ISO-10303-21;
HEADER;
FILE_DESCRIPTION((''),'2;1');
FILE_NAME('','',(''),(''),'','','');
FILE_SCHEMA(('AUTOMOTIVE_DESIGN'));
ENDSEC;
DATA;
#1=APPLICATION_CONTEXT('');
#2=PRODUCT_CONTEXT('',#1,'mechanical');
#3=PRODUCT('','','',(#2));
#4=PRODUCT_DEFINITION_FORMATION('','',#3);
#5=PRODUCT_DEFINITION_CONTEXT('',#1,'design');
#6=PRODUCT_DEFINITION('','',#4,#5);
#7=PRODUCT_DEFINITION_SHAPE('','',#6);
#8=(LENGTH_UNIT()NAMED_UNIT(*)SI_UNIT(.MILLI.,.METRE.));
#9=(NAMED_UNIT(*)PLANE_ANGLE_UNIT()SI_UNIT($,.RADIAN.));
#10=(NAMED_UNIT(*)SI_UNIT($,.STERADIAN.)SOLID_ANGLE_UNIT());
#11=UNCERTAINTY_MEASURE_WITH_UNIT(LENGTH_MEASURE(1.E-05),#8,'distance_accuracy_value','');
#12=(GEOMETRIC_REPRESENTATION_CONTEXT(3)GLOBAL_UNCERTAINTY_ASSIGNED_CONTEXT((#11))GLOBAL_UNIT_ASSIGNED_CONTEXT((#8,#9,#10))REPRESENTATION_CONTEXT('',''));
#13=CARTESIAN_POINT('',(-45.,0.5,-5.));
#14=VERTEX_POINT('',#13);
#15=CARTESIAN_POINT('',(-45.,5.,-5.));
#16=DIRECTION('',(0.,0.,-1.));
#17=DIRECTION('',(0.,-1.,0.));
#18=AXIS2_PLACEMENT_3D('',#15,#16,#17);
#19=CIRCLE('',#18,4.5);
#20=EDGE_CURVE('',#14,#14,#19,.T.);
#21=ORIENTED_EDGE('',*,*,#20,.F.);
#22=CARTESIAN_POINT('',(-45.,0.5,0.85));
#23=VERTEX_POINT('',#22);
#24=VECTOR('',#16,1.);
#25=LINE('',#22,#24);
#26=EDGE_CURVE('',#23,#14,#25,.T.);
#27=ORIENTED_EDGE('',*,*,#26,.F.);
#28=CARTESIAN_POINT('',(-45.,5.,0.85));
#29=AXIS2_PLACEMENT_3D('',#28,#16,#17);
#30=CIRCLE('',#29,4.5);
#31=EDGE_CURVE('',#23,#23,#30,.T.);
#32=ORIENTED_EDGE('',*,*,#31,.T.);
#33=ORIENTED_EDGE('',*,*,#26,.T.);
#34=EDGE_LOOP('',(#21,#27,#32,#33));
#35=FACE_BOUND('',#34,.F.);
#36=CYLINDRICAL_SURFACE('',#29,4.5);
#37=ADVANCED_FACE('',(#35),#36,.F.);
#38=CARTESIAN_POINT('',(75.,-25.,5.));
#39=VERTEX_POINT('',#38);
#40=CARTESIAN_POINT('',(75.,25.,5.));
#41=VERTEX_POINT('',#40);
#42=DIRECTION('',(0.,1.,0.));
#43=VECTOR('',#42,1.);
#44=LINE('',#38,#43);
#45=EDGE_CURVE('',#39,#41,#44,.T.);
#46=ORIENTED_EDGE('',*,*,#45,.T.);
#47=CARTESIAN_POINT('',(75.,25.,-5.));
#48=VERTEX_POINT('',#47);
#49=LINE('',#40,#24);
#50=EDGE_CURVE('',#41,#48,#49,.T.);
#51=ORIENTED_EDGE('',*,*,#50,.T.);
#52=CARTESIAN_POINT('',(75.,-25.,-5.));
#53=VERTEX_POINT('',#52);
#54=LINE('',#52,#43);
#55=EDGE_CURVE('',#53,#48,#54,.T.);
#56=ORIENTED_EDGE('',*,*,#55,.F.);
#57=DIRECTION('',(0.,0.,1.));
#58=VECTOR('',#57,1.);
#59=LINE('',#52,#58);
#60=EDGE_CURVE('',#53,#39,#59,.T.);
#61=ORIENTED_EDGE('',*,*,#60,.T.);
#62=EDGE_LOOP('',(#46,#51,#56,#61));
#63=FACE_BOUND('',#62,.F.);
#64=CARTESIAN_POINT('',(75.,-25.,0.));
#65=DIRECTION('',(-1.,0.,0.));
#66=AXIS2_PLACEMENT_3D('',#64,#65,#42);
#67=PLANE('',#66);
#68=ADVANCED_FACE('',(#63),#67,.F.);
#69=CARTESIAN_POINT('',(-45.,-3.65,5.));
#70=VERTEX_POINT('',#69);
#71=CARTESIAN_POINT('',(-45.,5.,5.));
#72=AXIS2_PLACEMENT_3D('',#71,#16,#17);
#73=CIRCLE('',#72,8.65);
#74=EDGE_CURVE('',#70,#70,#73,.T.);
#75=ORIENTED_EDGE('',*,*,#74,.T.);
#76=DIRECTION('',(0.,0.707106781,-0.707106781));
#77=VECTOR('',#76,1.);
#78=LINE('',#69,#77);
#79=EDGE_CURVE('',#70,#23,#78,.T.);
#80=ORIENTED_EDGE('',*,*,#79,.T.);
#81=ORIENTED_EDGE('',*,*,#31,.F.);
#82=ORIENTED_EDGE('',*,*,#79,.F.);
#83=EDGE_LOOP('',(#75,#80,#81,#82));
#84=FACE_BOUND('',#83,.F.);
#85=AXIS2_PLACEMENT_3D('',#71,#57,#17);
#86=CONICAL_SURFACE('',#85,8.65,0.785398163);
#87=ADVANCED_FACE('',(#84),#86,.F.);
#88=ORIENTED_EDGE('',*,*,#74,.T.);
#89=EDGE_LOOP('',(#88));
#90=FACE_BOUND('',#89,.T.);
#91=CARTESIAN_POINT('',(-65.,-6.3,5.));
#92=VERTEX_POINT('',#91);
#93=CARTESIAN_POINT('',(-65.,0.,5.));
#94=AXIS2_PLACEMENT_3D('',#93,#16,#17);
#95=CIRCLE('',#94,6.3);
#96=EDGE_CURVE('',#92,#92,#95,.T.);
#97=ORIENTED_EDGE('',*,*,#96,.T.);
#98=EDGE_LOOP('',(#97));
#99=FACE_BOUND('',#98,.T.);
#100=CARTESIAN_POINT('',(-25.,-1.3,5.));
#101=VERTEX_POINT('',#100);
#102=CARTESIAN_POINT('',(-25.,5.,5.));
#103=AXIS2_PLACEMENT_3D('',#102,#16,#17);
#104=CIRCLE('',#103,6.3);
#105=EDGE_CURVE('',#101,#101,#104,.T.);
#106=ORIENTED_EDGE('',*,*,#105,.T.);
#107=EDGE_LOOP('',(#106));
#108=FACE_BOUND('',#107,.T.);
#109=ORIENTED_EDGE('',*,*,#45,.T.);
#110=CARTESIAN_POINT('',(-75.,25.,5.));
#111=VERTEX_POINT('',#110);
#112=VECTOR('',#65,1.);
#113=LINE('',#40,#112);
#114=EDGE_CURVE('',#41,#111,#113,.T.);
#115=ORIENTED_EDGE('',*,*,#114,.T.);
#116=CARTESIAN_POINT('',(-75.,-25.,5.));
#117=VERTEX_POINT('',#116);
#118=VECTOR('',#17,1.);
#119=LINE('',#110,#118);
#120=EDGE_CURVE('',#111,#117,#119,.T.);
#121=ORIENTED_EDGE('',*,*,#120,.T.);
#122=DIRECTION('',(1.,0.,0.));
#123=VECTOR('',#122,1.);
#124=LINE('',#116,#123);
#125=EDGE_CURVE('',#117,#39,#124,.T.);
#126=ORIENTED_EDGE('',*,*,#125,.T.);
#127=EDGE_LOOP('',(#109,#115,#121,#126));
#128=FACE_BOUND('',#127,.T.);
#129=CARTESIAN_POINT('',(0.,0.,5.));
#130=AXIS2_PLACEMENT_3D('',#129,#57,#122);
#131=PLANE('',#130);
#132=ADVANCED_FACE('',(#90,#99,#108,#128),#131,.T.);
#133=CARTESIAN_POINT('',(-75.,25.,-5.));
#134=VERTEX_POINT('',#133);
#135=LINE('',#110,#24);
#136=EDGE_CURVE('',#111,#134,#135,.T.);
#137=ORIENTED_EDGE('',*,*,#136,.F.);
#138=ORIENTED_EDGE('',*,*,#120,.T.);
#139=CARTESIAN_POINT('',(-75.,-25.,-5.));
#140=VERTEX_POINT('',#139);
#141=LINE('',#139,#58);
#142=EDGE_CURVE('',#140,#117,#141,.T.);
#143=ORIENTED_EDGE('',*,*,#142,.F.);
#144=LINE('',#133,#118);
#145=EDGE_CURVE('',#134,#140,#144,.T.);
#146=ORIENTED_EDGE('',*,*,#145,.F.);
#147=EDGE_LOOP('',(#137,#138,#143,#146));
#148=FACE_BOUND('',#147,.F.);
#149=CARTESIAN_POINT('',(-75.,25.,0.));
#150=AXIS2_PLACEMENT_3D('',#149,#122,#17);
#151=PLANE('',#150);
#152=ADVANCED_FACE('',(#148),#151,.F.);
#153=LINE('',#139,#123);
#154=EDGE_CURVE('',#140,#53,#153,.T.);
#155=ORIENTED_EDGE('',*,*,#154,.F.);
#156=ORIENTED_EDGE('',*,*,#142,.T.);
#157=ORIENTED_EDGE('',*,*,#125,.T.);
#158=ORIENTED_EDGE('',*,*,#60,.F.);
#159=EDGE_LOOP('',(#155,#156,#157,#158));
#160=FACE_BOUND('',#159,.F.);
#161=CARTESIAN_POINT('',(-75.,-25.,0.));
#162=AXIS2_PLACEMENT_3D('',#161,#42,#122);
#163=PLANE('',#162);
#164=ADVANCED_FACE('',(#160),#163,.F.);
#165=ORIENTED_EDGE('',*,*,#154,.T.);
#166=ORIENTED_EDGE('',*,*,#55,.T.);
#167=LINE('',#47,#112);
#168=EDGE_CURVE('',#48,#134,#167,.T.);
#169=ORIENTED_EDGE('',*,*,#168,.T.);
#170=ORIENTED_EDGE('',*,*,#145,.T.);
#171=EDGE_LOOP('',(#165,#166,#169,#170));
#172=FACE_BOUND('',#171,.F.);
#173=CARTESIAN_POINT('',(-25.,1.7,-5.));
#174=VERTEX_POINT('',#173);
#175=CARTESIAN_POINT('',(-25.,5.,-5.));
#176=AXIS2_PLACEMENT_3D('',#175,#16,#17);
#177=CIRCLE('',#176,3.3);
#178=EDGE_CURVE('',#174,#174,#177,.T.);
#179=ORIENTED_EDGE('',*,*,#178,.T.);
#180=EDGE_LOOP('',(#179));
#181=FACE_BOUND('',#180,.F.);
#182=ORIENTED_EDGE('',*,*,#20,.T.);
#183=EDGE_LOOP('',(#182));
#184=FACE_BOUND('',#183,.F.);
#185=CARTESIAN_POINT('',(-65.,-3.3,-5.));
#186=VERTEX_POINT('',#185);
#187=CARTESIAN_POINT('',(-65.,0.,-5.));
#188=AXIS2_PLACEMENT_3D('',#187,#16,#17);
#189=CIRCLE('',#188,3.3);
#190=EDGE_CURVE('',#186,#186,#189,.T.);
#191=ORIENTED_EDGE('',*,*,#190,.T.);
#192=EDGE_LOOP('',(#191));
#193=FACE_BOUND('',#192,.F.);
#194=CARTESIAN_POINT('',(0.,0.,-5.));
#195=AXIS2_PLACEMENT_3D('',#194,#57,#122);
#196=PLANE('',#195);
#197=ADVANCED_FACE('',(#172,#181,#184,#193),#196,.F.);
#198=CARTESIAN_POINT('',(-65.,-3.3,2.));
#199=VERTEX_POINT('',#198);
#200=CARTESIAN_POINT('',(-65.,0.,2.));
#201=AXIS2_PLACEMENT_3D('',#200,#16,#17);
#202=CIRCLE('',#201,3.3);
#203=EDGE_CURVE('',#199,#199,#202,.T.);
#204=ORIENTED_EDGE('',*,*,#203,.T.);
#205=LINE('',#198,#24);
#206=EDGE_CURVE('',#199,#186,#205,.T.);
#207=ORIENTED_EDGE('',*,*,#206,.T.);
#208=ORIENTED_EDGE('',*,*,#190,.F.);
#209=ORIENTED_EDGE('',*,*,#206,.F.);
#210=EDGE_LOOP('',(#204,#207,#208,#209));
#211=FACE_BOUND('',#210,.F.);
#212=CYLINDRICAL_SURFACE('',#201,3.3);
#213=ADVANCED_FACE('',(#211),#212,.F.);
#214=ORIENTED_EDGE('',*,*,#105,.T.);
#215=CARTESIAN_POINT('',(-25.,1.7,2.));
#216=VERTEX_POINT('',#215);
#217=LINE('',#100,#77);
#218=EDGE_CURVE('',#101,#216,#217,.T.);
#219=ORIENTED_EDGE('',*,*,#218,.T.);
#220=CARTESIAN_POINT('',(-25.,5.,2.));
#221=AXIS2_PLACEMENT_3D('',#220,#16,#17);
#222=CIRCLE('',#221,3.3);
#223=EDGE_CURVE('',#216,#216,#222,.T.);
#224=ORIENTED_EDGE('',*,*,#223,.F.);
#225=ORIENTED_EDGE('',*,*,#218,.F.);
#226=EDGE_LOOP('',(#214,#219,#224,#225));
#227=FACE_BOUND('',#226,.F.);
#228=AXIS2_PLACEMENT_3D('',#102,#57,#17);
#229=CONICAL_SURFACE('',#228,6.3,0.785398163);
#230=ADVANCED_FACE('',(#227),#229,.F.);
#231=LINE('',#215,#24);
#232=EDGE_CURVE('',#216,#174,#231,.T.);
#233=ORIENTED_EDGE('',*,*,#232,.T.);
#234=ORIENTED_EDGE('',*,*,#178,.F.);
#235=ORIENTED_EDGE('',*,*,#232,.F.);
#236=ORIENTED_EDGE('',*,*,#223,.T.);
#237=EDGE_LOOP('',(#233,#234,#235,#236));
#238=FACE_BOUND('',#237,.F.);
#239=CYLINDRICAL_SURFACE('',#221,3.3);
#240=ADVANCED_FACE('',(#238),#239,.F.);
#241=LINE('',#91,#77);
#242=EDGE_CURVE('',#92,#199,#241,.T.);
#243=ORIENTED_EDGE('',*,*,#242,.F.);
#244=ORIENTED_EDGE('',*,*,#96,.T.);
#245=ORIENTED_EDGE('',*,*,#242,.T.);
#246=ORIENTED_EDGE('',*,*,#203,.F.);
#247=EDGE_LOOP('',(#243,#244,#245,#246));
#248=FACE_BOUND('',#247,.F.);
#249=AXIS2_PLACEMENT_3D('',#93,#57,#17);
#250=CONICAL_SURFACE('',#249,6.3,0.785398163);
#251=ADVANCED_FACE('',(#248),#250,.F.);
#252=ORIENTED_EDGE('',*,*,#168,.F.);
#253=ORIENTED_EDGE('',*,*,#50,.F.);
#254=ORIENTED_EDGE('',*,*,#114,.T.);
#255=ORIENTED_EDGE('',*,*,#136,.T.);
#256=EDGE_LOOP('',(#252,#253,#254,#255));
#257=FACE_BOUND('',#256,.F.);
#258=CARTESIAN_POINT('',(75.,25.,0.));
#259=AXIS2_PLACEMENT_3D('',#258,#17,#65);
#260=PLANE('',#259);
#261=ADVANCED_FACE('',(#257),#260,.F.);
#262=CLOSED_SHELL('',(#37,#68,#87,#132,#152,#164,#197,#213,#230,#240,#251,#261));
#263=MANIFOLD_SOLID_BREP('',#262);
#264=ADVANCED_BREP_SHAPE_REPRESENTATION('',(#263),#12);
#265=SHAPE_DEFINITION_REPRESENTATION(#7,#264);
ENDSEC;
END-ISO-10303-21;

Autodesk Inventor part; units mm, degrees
ref_plane "YZ Plane" through (0, 0, 0) normal (1, 0, 0) x (0, 1, 0)
ref_plane "XZ Plane" through (0, 0, 0) normal (0, 1, 0) x (-1, 0, 0)
ref_plane "XY Plane" through (0, 0, 0) normal (0, 0, 1) x (1, 0, 0)
sketch "Sketch2" plane through (0, 0, 0) normal (0, 0, 1) x (1, 0, 0)
  line L0 (-75, -25) -> (75, -25)
  line L1 (75, -25) -> (75, 25)
  line L2 (75, 25) -> (-75, 25)
  line L3 (-75, 25) -> (-75, -25)
  line L4 (-75, -25) -> (75, 25) construction
  line L5 (75, -25) -> (-75, 25) construction
  point P0 (0, 0)
  dimension "d1" = 150
  dimension "d2" = 50
extrude "Extrusion1" add sketch "Sketch2" along normal mid plane 10
sketch "Sketch3" plane through (0, 0, 5) normal (0, 0, 1) x (1, 0, 0)
  line L0 (-75, 25) -> (-75, -25) projected
  line L1 (75, 25) -> (-75, 25) projected
  point P0 (0, 0)
  point P1 (-65, 0)
  dimension "d40" = 10
  dimension "d43" = 25
hole "Hole1" at (-65, 0, 5) direction (0, 0, -1) diameter 6.6 depth 14.2 tip angle 118 countersink diameter 12.6 countersink angle 90 clearance for "Counter Sink" size "M6" standard "TS Profile"
sketch "Sketch4" plane through (0, 0, 5) normal (0, 0, 1) x (1, 0, 0)
  line L0 (-75, 25) -> (-75, -25) projected
  line L1 (75, 25) -> (-75, 25) projected
  point P0 (0, 0)
  point P1 (-45, 5)
  dimension "d41" = 30
  dimension "d42" = 20
hole "Hole2" at (-45, 5, 5) direction (0, 0, -1) diameter 9 depth 14.2 tip angle 118 countersink diameter 17.3 countersink angle 90 clearance for "Counter Sink" size "M8" standard "TS Profile"
sketch "Sketch5" plane through (0, 0, 5) normal (0, 0, 1) x (1, 0, 0)
  line L0 (-75, 25) -> (-75, -25) projected
  line L1 (75, 25) -> (-75, 25) projected
  point P0 (0, 0)
  point P1 (-25, 5)
  dimension "d44" = 50
  dimension "d45" = 20
hole "Hole3" at (-25, 5, 5) direction (0, 0, -1) diameter 6.6 depth 14.2 tip angle 118 countersink diameter 12.6 countersink angle 90 clearance for "Counter Sink" size "M6" standard "TS Profile"
properties part number "홀간 거리 확인 파트-10_CPY" material "SS400"
